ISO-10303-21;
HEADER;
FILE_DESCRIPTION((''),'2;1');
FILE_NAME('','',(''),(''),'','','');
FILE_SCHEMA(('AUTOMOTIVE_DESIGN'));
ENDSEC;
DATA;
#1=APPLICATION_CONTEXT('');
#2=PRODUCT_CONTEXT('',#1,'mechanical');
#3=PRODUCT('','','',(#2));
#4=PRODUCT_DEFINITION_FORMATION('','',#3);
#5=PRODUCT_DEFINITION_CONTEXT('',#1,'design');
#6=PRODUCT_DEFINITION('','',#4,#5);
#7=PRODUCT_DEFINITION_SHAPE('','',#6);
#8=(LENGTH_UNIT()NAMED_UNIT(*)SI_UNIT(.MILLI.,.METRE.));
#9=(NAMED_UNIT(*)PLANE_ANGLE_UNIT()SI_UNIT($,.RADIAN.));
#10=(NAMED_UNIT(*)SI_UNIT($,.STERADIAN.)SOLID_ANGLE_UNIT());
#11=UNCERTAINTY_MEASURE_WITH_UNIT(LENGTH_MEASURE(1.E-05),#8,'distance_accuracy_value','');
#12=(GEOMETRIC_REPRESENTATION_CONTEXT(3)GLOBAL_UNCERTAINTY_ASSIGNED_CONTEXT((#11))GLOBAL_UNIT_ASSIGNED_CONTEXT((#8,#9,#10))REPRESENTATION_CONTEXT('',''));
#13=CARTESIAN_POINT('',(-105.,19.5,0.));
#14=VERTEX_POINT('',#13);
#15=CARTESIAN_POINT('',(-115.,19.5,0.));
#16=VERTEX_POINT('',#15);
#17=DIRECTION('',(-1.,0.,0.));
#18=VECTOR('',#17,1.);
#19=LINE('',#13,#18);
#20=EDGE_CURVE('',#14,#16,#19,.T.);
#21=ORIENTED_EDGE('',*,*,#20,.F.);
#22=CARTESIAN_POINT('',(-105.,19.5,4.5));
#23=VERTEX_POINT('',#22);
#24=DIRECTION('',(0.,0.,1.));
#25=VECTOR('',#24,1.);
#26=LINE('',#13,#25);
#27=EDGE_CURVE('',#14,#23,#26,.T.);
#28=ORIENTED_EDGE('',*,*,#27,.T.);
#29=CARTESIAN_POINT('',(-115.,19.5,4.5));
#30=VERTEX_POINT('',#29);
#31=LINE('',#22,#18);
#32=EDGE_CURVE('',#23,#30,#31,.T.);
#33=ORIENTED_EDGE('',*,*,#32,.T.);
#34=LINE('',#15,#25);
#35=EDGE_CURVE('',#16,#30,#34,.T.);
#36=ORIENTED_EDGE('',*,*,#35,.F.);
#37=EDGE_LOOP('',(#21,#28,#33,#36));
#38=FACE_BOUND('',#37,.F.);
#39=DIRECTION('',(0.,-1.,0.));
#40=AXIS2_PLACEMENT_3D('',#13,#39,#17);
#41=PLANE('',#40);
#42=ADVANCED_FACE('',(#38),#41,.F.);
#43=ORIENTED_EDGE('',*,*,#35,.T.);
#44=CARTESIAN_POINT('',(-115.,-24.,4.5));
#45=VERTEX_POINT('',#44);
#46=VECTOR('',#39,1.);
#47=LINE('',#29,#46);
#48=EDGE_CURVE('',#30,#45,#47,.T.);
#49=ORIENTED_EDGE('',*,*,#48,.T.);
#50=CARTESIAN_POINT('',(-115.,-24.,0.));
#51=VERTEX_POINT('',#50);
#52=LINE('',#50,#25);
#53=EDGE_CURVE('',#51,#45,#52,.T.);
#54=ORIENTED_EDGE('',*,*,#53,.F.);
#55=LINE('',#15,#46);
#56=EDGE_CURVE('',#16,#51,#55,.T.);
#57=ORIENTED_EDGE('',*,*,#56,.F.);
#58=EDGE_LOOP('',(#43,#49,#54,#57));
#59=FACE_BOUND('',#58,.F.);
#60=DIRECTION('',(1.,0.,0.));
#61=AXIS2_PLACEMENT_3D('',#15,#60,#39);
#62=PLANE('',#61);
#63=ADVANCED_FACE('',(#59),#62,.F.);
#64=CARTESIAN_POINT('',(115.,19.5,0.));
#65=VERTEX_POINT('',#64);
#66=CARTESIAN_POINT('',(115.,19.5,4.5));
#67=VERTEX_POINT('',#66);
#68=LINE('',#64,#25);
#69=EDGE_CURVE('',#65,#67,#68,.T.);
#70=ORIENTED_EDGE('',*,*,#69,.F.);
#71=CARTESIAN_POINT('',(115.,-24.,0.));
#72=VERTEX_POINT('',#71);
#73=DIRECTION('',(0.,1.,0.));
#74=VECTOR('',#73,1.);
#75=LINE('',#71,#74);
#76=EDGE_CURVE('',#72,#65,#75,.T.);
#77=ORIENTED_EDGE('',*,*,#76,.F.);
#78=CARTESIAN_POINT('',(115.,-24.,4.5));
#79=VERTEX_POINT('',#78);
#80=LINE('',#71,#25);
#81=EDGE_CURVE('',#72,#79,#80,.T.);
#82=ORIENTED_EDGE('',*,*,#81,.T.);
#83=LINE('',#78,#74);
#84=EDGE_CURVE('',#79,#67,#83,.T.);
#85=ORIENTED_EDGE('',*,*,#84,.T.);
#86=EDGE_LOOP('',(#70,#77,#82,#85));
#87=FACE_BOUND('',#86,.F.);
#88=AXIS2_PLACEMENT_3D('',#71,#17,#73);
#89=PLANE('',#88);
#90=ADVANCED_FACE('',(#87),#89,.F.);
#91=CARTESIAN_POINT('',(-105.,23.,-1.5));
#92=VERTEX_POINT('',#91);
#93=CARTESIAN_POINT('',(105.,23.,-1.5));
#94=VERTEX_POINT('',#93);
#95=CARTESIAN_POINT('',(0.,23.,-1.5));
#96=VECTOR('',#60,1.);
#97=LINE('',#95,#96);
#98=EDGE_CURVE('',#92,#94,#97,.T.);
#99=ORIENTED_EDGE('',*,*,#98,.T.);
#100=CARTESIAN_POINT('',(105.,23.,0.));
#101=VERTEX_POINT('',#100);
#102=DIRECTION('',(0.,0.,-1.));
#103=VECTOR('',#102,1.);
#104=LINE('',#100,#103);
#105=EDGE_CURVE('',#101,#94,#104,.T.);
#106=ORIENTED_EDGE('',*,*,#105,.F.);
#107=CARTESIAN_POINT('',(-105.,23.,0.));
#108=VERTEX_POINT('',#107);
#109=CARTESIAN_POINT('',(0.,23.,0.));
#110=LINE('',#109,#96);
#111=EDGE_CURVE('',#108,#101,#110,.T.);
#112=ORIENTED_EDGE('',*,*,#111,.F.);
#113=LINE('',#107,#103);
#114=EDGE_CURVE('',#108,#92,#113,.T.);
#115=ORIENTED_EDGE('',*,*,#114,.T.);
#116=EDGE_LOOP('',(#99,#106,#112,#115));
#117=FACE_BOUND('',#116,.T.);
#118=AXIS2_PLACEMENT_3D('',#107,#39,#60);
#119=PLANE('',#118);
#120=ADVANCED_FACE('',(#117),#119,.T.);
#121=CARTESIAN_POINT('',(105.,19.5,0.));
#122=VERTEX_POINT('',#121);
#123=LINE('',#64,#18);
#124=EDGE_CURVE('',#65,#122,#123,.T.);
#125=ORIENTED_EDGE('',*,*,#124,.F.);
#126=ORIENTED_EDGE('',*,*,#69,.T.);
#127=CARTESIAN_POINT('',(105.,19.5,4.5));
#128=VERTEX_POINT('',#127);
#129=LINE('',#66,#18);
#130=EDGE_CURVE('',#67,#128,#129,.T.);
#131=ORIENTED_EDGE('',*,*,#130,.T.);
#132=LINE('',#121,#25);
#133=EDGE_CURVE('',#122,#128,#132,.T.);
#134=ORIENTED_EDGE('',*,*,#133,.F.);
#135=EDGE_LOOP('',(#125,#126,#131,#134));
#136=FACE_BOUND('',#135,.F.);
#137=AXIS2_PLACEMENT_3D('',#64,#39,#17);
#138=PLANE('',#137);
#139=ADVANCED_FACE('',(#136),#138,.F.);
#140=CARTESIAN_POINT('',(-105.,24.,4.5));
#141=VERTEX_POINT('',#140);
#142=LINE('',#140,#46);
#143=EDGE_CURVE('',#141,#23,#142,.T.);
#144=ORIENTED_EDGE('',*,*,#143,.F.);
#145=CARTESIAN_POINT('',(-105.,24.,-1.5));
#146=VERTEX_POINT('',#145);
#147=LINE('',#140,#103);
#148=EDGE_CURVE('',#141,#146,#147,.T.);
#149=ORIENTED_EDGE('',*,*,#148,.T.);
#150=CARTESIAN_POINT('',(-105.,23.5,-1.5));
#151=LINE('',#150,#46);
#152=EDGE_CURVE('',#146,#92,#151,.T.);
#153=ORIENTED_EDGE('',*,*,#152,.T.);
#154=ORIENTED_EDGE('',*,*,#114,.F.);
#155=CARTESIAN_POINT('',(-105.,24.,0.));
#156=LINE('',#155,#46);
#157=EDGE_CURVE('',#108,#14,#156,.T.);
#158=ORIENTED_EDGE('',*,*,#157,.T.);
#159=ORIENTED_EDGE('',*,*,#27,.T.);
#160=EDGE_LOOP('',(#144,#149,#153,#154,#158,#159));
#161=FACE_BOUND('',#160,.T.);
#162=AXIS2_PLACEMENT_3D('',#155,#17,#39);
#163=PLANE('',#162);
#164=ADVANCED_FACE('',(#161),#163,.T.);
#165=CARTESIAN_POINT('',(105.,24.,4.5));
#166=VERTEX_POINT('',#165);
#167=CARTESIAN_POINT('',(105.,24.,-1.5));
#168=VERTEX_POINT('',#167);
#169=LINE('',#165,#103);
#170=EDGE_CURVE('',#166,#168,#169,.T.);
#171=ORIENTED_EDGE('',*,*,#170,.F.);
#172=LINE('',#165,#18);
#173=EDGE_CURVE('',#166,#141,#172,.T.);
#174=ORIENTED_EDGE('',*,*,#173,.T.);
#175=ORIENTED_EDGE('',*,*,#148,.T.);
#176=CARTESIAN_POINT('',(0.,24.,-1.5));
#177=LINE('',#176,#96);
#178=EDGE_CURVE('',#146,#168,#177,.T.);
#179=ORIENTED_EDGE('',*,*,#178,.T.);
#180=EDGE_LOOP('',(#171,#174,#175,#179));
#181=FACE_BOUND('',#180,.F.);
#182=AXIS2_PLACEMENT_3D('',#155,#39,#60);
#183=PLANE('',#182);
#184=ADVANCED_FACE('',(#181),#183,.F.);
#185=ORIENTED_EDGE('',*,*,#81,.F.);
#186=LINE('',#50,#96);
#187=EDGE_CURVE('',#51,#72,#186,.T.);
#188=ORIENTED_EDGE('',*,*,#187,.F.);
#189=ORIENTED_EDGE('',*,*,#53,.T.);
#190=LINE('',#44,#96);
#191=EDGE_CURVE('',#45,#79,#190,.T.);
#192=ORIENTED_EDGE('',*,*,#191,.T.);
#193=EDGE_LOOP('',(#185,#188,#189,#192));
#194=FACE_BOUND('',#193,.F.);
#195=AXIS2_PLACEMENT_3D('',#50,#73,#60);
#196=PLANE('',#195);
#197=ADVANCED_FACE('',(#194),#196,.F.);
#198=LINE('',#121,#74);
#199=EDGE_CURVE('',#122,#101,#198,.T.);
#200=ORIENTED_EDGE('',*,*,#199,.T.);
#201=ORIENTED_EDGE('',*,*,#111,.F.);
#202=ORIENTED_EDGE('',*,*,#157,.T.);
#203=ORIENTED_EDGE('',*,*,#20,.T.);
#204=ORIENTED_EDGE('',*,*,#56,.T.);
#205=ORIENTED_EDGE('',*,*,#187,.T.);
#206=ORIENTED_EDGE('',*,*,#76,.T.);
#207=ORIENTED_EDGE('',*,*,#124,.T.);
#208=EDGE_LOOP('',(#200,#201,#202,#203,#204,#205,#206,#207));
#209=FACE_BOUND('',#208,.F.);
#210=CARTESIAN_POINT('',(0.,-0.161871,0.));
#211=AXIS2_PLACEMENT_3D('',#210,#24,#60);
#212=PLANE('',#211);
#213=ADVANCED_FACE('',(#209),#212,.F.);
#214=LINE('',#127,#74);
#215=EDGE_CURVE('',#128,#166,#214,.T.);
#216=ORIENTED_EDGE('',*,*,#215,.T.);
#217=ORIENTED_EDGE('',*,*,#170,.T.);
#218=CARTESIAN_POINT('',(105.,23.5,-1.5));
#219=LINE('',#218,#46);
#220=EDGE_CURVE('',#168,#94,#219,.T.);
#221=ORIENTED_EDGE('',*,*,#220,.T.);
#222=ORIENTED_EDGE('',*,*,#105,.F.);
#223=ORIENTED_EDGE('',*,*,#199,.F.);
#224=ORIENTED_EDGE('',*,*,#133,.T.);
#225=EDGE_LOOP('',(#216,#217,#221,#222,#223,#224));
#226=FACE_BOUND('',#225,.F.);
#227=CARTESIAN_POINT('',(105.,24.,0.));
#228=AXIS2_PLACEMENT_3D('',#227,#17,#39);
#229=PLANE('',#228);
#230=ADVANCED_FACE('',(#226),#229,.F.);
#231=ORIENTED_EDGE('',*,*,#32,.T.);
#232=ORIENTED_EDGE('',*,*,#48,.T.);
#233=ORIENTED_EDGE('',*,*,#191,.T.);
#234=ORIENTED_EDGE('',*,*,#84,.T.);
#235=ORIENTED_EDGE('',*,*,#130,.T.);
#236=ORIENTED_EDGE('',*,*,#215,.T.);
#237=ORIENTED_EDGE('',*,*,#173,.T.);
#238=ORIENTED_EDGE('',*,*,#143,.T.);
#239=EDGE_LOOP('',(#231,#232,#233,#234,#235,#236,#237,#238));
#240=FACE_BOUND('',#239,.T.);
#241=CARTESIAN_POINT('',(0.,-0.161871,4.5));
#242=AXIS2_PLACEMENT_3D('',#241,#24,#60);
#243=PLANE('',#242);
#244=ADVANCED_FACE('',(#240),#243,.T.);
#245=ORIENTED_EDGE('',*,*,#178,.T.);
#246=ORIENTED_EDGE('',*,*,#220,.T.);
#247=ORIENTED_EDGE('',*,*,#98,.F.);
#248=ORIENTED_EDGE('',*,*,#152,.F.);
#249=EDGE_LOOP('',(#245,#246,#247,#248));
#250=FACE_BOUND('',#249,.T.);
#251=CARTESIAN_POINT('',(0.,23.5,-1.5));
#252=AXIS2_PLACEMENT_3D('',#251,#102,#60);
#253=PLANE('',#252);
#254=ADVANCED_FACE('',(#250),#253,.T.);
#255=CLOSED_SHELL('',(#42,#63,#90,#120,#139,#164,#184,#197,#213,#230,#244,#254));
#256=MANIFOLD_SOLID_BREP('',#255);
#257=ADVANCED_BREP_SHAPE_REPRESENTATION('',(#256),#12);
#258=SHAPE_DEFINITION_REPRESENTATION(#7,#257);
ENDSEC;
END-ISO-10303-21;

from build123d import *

# Parameters (mm, degrees)
F1_DEPTH = 4.5
F2_W     = 210
F2_H     = 1
F3_DEPTH = 1.5


with BuildPart() as f1:
    # F0 (on Top) → F1 (new body)
    with BuildSketch(Plane.XY):
        Polygon((-115, -24), (115, -24), (115, 19.5), (105, 19.5), (105, 24), (-105, 24), (-105, 19.5), (-115, 19.5), align=None)
    extrude(amount=F1_DEPTH)

    # F2 (on face) → F3 (join)
    with BuildSketch(Plane(origin=(0, 0, 0), x_dir=(1, 0, 0), z_dir=(0, 0, -1))):
        with Locations((0, -23.5)):
            Rectangle(F2_W, F2_H)
    extrude(amount=F3_DEPTH)


solid = f1.part
